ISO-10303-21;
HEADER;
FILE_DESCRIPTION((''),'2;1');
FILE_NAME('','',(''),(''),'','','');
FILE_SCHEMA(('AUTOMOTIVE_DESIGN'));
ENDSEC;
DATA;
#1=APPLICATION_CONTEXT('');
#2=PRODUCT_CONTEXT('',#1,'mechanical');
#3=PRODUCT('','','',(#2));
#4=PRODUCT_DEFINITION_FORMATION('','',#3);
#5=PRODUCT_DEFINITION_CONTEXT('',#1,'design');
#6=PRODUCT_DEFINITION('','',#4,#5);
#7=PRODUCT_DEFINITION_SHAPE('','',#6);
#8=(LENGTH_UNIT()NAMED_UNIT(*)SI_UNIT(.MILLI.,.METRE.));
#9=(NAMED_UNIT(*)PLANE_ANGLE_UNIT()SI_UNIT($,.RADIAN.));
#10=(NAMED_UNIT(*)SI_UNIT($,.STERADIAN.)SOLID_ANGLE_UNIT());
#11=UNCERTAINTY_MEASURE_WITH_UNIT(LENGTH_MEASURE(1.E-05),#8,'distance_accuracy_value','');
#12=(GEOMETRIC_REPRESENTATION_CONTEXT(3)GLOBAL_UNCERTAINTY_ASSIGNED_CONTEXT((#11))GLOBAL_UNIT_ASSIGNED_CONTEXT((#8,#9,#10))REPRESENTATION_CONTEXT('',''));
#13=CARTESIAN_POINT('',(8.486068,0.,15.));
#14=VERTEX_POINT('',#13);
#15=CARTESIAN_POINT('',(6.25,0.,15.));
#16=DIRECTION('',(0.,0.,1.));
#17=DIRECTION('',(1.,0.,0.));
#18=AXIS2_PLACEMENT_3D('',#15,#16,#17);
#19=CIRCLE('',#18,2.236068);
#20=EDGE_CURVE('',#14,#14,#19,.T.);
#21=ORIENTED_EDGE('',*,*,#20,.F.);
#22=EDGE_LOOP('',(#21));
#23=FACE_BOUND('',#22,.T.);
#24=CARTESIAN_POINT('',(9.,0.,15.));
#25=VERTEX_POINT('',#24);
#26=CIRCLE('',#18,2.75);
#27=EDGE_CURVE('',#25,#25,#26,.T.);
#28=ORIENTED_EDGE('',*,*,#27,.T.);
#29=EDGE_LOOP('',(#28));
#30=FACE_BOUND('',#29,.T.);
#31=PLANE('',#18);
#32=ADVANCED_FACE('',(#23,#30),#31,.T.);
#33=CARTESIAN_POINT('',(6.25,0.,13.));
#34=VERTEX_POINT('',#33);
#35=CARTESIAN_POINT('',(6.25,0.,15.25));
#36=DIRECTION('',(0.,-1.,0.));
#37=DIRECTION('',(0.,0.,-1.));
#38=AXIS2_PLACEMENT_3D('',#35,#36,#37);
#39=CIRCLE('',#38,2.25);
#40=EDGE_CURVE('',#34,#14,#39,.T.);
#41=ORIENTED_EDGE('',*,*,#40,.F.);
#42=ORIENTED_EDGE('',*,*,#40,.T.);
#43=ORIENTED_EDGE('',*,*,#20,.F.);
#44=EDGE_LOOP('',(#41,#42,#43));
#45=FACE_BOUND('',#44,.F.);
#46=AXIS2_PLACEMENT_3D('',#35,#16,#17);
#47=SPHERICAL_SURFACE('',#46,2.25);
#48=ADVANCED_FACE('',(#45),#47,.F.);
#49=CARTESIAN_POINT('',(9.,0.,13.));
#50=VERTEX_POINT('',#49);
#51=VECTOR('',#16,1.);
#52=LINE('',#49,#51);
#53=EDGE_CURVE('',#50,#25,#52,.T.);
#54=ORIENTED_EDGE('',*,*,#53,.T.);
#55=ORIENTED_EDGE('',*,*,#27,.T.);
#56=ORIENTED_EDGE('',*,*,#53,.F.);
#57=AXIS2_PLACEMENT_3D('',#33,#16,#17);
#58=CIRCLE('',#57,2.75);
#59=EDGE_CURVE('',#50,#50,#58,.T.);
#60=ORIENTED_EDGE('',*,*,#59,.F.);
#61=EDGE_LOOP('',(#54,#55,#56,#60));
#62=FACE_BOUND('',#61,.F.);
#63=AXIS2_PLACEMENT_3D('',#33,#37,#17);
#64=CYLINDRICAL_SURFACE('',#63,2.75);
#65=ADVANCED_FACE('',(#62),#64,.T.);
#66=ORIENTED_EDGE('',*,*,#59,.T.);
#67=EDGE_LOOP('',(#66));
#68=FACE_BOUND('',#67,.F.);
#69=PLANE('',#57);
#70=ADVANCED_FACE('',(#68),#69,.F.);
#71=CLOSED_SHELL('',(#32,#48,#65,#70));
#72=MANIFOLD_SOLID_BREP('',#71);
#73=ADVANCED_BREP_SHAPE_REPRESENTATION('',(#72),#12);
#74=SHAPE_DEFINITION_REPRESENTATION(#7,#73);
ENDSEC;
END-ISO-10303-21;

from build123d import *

# Parameters (mm, degrees)
CYLINDER004_R     = 2.75
CYLINDER004_DEPTH = 2


with BuildPart() as esfera_1_taladro:
    # Sphere003 → Sphere003 (revolve)
    with BuildSketch(Plane(origin=(6.25, 0, 15.25), x_dir=(1, 0, 0), z_dir=(0, -1, 0))):
        with BuildLine():
            ThreePointArc((0, -2.25), (2.25, 0), (0, 2.25))
            Line((0, 2.25), (0, -2.25))
        make_face()
    revolve(axis=Axis((6.25, 0, 15.25), (0, 0, 1)))


with BuildPart() as cut001:
    # Cylinder004 → Cylinder004 (new body)
    with BuildSketch(Plane(origin=(6.25, 0, 13), x_dir=(1, 0, 0), z_dir=(0, 0, 1))):
        Circle(CYLINDER004_R)
    extrude(amount=CYLINDER004_DEPTH)

    # Cut001: cut Esfera 1 taladro
    add(esfera_1_taladro.part, mode=Mode.SUBTRACT)


solid = cut001.part
